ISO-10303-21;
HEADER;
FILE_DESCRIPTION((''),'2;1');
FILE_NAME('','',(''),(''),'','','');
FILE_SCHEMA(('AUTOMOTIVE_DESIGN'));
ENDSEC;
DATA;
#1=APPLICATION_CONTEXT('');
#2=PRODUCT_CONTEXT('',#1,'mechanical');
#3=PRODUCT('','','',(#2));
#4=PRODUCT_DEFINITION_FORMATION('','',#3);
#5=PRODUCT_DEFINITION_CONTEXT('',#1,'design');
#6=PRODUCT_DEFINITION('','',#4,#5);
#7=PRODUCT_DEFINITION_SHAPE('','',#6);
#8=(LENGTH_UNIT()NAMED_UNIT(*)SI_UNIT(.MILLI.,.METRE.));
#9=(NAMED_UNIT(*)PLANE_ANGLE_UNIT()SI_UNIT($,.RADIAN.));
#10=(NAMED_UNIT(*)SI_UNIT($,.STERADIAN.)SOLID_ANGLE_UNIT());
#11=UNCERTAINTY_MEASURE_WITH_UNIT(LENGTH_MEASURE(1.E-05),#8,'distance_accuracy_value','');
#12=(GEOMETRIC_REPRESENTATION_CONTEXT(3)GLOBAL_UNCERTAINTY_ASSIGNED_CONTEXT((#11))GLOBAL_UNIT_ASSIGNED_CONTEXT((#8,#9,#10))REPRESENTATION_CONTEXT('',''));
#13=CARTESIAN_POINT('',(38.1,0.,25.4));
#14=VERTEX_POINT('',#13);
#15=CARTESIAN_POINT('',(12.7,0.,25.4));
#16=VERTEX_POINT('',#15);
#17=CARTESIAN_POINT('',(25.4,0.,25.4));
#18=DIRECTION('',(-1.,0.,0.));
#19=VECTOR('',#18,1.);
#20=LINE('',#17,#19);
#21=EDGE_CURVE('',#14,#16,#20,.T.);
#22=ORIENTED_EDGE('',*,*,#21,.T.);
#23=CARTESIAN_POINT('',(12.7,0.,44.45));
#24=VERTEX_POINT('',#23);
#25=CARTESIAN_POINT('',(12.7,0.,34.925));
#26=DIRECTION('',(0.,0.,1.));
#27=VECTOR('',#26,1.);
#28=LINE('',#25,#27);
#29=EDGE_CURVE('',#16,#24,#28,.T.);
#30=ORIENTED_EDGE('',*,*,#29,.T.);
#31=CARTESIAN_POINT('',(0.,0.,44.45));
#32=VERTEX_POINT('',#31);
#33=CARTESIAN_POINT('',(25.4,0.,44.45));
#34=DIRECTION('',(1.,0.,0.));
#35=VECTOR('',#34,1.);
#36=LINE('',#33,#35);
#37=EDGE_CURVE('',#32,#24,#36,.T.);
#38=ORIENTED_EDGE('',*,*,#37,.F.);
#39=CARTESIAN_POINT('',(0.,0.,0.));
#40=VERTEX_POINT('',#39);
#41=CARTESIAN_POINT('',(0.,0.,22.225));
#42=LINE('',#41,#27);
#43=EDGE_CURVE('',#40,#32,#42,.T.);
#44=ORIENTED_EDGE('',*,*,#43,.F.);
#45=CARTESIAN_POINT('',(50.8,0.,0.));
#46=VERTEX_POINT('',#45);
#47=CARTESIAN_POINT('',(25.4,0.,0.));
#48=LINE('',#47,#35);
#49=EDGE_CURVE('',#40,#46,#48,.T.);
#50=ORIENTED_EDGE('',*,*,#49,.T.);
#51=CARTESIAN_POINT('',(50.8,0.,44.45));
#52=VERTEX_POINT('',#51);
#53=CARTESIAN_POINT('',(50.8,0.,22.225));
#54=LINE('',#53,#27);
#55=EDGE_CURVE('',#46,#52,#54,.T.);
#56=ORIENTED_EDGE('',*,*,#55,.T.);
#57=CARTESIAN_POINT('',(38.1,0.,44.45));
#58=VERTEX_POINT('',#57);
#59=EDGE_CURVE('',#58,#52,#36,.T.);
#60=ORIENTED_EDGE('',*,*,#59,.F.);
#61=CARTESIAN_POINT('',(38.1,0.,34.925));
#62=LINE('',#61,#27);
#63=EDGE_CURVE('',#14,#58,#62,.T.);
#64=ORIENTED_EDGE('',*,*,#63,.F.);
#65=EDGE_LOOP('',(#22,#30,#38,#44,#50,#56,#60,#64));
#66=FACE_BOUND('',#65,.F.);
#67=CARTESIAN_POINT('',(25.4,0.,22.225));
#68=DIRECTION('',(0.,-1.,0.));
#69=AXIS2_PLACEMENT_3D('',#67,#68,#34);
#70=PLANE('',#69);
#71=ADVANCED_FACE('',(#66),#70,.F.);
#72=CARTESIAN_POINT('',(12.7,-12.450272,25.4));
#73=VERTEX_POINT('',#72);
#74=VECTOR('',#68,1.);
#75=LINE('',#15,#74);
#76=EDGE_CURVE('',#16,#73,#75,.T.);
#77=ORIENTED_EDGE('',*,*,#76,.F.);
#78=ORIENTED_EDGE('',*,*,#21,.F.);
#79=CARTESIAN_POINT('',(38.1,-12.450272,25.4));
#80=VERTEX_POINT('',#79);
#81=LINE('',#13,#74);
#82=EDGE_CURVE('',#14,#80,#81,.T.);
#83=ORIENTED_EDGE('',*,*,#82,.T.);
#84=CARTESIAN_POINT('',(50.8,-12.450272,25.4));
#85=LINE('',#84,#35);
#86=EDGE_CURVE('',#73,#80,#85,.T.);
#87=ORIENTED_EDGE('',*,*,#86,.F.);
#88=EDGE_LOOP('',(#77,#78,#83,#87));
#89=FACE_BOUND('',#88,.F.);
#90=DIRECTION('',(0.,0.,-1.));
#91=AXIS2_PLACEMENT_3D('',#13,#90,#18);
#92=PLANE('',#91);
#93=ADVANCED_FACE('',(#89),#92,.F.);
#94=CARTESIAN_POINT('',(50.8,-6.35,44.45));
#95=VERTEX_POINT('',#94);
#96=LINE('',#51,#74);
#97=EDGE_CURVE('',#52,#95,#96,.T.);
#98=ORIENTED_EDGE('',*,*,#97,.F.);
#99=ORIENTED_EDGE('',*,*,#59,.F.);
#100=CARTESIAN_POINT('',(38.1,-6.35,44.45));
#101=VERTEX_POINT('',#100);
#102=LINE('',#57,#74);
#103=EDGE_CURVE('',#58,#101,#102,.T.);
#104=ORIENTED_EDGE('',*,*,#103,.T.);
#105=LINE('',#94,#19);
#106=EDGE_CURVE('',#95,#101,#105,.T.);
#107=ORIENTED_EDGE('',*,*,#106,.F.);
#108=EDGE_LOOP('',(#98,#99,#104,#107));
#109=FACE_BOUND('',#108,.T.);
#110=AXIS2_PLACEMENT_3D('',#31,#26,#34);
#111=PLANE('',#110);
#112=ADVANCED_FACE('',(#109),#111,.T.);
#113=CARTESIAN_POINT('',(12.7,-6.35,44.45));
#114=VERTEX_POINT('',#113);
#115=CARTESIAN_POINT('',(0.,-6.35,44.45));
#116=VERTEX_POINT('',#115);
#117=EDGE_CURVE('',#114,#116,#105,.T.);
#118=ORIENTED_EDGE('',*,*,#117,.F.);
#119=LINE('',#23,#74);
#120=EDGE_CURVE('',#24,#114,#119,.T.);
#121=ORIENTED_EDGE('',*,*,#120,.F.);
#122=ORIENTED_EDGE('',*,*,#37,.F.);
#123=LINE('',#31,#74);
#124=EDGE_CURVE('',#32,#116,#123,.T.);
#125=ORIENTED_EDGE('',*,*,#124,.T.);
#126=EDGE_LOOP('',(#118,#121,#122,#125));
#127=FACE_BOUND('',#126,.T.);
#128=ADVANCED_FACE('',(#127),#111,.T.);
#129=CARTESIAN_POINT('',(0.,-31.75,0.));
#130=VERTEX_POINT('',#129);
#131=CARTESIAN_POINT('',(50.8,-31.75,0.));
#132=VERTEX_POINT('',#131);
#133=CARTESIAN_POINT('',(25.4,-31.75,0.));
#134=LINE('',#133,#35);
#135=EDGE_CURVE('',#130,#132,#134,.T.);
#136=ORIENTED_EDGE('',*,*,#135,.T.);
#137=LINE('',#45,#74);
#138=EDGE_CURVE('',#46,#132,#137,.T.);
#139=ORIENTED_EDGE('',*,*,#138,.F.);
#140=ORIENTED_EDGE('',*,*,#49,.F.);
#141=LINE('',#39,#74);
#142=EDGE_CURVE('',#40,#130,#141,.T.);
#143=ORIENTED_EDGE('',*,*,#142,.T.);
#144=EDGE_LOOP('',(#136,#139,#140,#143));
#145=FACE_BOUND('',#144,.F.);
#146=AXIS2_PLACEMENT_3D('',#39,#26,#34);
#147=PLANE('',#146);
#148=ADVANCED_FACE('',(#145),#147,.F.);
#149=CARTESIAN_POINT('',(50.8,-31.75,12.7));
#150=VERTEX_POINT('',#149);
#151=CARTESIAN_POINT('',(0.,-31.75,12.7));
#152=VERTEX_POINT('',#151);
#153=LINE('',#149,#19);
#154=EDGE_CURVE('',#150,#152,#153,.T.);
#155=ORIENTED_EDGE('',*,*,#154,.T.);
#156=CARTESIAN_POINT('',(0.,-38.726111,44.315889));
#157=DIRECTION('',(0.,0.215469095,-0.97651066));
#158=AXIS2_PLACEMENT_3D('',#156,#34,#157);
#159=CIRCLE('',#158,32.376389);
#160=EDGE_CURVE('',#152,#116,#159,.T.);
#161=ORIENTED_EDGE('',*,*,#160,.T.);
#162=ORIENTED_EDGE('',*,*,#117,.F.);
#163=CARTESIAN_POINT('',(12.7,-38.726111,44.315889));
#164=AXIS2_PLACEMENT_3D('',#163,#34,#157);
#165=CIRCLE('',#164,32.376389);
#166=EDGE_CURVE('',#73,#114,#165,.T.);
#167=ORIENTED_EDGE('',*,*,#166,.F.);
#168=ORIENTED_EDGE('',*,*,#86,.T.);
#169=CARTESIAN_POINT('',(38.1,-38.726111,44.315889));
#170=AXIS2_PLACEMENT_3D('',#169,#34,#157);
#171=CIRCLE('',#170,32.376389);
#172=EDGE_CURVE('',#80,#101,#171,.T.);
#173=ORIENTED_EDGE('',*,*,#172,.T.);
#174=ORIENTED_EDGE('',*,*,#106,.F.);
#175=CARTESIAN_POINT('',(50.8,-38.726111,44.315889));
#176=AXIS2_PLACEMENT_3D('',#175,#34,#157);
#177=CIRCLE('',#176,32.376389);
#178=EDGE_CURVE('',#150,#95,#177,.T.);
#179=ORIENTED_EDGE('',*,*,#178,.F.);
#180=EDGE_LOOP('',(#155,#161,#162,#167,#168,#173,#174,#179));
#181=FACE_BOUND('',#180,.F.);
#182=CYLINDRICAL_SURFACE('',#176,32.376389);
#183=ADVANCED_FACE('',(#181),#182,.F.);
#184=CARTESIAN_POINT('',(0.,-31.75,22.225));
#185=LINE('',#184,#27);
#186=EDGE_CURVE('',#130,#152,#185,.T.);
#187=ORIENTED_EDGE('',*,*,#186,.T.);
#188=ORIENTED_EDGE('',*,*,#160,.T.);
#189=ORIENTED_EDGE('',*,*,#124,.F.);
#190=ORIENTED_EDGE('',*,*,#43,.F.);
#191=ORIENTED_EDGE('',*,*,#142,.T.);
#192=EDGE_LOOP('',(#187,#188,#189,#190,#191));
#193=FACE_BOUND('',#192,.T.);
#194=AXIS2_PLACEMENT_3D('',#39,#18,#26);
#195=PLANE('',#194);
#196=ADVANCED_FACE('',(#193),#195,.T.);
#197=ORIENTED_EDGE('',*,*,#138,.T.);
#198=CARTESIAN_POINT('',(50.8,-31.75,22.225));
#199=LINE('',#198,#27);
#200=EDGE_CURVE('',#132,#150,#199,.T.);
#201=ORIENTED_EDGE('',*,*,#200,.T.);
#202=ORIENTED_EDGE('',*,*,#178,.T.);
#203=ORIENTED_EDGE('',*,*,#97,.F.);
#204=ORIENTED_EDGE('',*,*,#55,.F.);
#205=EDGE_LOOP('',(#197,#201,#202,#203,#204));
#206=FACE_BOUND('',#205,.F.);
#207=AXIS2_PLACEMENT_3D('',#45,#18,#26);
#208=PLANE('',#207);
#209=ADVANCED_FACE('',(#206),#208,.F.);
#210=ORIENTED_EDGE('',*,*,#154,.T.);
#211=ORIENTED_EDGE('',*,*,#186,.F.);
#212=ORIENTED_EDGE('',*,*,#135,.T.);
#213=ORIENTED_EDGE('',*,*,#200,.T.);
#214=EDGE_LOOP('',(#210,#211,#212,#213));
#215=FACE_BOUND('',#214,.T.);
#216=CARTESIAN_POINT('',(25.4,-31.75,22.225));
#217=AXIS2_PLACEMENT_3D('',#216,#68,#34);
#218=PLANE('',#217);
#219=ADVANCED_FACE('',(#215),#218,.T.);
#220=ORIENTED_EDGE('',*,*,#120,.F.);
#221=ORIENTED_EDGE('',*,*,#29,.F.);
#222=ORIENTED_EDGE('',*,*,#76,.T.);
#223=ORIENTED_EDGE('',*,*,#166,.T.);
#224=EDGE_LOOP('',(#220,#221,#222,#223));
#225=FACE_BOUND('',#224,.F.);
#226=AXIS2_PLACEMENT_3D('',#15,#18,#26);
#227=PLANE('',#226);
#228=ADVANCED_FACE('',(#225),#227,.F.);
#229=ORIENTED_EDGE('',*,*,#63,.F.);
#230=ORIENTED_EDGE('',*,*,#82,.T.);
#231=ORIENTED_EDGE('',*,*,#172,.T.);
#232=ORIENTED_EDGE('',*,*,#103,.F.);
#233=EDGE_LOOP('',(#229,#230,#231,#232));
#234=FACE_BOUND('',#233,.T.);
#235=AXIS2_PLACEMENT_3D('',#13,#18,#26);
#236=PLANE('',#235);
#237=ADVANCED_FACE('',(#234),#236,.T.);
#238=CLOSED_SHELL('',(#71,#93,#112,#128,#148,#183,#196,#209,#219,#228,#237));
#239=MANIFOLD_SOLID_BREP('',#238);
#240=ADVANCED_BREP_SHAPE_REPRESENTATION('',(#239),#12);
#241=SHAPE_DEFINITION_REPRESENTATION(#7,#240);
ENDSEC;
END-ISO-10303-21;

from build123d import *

# Parameters (mm, degrees)
F0_W     = 50.8
F0_H     = 44.45
F1_DEPTH = 31.75
F3_DEPTH = 76.2
F4_W     = 25.4
F4_H     = 19.05
F5_DEPTH = 25.4


with BuildPart() as f1:
    # F0 (on Front) → F1 (new body)
    with BuildSketch(Plane.XZ):
        with Locations((25.4, 22.225)):
            Rectangle(F0_W, F0_H)
    extrude(amount=F1_DEPTH)

    # F2 (on face) → F3 (cut)
    with BuildSketch(Plane.YZ.offset(50.8)):
        with BuildLine():
            Line((-31.75, 44.45), (-31.75, 12.7))
            ThreePointArc((-31.75, 12.7), (-13.444399, 24.090519), (-6.35, 44.45))
            Line((-6.35, 44.45), (-31.75, 44.45))
        make_face()
    extrude(amount=-F3_DEPTH, mode=Mode.SUBTRACT)

    # F4 (on face) → F5 (cut)
    with BuildSketch(Plane(origin=(0, 0, 0), x_dir=(-1, 0, 0), z_dir=(0, 1, 0))):
        with Locations((-25.4, 34.925)):
            Rectangle(F4_W, F4_H)
    extrude(amount=-F5_DEPTH, mode=Mode.SUBTRACT)


solid = f1.part
